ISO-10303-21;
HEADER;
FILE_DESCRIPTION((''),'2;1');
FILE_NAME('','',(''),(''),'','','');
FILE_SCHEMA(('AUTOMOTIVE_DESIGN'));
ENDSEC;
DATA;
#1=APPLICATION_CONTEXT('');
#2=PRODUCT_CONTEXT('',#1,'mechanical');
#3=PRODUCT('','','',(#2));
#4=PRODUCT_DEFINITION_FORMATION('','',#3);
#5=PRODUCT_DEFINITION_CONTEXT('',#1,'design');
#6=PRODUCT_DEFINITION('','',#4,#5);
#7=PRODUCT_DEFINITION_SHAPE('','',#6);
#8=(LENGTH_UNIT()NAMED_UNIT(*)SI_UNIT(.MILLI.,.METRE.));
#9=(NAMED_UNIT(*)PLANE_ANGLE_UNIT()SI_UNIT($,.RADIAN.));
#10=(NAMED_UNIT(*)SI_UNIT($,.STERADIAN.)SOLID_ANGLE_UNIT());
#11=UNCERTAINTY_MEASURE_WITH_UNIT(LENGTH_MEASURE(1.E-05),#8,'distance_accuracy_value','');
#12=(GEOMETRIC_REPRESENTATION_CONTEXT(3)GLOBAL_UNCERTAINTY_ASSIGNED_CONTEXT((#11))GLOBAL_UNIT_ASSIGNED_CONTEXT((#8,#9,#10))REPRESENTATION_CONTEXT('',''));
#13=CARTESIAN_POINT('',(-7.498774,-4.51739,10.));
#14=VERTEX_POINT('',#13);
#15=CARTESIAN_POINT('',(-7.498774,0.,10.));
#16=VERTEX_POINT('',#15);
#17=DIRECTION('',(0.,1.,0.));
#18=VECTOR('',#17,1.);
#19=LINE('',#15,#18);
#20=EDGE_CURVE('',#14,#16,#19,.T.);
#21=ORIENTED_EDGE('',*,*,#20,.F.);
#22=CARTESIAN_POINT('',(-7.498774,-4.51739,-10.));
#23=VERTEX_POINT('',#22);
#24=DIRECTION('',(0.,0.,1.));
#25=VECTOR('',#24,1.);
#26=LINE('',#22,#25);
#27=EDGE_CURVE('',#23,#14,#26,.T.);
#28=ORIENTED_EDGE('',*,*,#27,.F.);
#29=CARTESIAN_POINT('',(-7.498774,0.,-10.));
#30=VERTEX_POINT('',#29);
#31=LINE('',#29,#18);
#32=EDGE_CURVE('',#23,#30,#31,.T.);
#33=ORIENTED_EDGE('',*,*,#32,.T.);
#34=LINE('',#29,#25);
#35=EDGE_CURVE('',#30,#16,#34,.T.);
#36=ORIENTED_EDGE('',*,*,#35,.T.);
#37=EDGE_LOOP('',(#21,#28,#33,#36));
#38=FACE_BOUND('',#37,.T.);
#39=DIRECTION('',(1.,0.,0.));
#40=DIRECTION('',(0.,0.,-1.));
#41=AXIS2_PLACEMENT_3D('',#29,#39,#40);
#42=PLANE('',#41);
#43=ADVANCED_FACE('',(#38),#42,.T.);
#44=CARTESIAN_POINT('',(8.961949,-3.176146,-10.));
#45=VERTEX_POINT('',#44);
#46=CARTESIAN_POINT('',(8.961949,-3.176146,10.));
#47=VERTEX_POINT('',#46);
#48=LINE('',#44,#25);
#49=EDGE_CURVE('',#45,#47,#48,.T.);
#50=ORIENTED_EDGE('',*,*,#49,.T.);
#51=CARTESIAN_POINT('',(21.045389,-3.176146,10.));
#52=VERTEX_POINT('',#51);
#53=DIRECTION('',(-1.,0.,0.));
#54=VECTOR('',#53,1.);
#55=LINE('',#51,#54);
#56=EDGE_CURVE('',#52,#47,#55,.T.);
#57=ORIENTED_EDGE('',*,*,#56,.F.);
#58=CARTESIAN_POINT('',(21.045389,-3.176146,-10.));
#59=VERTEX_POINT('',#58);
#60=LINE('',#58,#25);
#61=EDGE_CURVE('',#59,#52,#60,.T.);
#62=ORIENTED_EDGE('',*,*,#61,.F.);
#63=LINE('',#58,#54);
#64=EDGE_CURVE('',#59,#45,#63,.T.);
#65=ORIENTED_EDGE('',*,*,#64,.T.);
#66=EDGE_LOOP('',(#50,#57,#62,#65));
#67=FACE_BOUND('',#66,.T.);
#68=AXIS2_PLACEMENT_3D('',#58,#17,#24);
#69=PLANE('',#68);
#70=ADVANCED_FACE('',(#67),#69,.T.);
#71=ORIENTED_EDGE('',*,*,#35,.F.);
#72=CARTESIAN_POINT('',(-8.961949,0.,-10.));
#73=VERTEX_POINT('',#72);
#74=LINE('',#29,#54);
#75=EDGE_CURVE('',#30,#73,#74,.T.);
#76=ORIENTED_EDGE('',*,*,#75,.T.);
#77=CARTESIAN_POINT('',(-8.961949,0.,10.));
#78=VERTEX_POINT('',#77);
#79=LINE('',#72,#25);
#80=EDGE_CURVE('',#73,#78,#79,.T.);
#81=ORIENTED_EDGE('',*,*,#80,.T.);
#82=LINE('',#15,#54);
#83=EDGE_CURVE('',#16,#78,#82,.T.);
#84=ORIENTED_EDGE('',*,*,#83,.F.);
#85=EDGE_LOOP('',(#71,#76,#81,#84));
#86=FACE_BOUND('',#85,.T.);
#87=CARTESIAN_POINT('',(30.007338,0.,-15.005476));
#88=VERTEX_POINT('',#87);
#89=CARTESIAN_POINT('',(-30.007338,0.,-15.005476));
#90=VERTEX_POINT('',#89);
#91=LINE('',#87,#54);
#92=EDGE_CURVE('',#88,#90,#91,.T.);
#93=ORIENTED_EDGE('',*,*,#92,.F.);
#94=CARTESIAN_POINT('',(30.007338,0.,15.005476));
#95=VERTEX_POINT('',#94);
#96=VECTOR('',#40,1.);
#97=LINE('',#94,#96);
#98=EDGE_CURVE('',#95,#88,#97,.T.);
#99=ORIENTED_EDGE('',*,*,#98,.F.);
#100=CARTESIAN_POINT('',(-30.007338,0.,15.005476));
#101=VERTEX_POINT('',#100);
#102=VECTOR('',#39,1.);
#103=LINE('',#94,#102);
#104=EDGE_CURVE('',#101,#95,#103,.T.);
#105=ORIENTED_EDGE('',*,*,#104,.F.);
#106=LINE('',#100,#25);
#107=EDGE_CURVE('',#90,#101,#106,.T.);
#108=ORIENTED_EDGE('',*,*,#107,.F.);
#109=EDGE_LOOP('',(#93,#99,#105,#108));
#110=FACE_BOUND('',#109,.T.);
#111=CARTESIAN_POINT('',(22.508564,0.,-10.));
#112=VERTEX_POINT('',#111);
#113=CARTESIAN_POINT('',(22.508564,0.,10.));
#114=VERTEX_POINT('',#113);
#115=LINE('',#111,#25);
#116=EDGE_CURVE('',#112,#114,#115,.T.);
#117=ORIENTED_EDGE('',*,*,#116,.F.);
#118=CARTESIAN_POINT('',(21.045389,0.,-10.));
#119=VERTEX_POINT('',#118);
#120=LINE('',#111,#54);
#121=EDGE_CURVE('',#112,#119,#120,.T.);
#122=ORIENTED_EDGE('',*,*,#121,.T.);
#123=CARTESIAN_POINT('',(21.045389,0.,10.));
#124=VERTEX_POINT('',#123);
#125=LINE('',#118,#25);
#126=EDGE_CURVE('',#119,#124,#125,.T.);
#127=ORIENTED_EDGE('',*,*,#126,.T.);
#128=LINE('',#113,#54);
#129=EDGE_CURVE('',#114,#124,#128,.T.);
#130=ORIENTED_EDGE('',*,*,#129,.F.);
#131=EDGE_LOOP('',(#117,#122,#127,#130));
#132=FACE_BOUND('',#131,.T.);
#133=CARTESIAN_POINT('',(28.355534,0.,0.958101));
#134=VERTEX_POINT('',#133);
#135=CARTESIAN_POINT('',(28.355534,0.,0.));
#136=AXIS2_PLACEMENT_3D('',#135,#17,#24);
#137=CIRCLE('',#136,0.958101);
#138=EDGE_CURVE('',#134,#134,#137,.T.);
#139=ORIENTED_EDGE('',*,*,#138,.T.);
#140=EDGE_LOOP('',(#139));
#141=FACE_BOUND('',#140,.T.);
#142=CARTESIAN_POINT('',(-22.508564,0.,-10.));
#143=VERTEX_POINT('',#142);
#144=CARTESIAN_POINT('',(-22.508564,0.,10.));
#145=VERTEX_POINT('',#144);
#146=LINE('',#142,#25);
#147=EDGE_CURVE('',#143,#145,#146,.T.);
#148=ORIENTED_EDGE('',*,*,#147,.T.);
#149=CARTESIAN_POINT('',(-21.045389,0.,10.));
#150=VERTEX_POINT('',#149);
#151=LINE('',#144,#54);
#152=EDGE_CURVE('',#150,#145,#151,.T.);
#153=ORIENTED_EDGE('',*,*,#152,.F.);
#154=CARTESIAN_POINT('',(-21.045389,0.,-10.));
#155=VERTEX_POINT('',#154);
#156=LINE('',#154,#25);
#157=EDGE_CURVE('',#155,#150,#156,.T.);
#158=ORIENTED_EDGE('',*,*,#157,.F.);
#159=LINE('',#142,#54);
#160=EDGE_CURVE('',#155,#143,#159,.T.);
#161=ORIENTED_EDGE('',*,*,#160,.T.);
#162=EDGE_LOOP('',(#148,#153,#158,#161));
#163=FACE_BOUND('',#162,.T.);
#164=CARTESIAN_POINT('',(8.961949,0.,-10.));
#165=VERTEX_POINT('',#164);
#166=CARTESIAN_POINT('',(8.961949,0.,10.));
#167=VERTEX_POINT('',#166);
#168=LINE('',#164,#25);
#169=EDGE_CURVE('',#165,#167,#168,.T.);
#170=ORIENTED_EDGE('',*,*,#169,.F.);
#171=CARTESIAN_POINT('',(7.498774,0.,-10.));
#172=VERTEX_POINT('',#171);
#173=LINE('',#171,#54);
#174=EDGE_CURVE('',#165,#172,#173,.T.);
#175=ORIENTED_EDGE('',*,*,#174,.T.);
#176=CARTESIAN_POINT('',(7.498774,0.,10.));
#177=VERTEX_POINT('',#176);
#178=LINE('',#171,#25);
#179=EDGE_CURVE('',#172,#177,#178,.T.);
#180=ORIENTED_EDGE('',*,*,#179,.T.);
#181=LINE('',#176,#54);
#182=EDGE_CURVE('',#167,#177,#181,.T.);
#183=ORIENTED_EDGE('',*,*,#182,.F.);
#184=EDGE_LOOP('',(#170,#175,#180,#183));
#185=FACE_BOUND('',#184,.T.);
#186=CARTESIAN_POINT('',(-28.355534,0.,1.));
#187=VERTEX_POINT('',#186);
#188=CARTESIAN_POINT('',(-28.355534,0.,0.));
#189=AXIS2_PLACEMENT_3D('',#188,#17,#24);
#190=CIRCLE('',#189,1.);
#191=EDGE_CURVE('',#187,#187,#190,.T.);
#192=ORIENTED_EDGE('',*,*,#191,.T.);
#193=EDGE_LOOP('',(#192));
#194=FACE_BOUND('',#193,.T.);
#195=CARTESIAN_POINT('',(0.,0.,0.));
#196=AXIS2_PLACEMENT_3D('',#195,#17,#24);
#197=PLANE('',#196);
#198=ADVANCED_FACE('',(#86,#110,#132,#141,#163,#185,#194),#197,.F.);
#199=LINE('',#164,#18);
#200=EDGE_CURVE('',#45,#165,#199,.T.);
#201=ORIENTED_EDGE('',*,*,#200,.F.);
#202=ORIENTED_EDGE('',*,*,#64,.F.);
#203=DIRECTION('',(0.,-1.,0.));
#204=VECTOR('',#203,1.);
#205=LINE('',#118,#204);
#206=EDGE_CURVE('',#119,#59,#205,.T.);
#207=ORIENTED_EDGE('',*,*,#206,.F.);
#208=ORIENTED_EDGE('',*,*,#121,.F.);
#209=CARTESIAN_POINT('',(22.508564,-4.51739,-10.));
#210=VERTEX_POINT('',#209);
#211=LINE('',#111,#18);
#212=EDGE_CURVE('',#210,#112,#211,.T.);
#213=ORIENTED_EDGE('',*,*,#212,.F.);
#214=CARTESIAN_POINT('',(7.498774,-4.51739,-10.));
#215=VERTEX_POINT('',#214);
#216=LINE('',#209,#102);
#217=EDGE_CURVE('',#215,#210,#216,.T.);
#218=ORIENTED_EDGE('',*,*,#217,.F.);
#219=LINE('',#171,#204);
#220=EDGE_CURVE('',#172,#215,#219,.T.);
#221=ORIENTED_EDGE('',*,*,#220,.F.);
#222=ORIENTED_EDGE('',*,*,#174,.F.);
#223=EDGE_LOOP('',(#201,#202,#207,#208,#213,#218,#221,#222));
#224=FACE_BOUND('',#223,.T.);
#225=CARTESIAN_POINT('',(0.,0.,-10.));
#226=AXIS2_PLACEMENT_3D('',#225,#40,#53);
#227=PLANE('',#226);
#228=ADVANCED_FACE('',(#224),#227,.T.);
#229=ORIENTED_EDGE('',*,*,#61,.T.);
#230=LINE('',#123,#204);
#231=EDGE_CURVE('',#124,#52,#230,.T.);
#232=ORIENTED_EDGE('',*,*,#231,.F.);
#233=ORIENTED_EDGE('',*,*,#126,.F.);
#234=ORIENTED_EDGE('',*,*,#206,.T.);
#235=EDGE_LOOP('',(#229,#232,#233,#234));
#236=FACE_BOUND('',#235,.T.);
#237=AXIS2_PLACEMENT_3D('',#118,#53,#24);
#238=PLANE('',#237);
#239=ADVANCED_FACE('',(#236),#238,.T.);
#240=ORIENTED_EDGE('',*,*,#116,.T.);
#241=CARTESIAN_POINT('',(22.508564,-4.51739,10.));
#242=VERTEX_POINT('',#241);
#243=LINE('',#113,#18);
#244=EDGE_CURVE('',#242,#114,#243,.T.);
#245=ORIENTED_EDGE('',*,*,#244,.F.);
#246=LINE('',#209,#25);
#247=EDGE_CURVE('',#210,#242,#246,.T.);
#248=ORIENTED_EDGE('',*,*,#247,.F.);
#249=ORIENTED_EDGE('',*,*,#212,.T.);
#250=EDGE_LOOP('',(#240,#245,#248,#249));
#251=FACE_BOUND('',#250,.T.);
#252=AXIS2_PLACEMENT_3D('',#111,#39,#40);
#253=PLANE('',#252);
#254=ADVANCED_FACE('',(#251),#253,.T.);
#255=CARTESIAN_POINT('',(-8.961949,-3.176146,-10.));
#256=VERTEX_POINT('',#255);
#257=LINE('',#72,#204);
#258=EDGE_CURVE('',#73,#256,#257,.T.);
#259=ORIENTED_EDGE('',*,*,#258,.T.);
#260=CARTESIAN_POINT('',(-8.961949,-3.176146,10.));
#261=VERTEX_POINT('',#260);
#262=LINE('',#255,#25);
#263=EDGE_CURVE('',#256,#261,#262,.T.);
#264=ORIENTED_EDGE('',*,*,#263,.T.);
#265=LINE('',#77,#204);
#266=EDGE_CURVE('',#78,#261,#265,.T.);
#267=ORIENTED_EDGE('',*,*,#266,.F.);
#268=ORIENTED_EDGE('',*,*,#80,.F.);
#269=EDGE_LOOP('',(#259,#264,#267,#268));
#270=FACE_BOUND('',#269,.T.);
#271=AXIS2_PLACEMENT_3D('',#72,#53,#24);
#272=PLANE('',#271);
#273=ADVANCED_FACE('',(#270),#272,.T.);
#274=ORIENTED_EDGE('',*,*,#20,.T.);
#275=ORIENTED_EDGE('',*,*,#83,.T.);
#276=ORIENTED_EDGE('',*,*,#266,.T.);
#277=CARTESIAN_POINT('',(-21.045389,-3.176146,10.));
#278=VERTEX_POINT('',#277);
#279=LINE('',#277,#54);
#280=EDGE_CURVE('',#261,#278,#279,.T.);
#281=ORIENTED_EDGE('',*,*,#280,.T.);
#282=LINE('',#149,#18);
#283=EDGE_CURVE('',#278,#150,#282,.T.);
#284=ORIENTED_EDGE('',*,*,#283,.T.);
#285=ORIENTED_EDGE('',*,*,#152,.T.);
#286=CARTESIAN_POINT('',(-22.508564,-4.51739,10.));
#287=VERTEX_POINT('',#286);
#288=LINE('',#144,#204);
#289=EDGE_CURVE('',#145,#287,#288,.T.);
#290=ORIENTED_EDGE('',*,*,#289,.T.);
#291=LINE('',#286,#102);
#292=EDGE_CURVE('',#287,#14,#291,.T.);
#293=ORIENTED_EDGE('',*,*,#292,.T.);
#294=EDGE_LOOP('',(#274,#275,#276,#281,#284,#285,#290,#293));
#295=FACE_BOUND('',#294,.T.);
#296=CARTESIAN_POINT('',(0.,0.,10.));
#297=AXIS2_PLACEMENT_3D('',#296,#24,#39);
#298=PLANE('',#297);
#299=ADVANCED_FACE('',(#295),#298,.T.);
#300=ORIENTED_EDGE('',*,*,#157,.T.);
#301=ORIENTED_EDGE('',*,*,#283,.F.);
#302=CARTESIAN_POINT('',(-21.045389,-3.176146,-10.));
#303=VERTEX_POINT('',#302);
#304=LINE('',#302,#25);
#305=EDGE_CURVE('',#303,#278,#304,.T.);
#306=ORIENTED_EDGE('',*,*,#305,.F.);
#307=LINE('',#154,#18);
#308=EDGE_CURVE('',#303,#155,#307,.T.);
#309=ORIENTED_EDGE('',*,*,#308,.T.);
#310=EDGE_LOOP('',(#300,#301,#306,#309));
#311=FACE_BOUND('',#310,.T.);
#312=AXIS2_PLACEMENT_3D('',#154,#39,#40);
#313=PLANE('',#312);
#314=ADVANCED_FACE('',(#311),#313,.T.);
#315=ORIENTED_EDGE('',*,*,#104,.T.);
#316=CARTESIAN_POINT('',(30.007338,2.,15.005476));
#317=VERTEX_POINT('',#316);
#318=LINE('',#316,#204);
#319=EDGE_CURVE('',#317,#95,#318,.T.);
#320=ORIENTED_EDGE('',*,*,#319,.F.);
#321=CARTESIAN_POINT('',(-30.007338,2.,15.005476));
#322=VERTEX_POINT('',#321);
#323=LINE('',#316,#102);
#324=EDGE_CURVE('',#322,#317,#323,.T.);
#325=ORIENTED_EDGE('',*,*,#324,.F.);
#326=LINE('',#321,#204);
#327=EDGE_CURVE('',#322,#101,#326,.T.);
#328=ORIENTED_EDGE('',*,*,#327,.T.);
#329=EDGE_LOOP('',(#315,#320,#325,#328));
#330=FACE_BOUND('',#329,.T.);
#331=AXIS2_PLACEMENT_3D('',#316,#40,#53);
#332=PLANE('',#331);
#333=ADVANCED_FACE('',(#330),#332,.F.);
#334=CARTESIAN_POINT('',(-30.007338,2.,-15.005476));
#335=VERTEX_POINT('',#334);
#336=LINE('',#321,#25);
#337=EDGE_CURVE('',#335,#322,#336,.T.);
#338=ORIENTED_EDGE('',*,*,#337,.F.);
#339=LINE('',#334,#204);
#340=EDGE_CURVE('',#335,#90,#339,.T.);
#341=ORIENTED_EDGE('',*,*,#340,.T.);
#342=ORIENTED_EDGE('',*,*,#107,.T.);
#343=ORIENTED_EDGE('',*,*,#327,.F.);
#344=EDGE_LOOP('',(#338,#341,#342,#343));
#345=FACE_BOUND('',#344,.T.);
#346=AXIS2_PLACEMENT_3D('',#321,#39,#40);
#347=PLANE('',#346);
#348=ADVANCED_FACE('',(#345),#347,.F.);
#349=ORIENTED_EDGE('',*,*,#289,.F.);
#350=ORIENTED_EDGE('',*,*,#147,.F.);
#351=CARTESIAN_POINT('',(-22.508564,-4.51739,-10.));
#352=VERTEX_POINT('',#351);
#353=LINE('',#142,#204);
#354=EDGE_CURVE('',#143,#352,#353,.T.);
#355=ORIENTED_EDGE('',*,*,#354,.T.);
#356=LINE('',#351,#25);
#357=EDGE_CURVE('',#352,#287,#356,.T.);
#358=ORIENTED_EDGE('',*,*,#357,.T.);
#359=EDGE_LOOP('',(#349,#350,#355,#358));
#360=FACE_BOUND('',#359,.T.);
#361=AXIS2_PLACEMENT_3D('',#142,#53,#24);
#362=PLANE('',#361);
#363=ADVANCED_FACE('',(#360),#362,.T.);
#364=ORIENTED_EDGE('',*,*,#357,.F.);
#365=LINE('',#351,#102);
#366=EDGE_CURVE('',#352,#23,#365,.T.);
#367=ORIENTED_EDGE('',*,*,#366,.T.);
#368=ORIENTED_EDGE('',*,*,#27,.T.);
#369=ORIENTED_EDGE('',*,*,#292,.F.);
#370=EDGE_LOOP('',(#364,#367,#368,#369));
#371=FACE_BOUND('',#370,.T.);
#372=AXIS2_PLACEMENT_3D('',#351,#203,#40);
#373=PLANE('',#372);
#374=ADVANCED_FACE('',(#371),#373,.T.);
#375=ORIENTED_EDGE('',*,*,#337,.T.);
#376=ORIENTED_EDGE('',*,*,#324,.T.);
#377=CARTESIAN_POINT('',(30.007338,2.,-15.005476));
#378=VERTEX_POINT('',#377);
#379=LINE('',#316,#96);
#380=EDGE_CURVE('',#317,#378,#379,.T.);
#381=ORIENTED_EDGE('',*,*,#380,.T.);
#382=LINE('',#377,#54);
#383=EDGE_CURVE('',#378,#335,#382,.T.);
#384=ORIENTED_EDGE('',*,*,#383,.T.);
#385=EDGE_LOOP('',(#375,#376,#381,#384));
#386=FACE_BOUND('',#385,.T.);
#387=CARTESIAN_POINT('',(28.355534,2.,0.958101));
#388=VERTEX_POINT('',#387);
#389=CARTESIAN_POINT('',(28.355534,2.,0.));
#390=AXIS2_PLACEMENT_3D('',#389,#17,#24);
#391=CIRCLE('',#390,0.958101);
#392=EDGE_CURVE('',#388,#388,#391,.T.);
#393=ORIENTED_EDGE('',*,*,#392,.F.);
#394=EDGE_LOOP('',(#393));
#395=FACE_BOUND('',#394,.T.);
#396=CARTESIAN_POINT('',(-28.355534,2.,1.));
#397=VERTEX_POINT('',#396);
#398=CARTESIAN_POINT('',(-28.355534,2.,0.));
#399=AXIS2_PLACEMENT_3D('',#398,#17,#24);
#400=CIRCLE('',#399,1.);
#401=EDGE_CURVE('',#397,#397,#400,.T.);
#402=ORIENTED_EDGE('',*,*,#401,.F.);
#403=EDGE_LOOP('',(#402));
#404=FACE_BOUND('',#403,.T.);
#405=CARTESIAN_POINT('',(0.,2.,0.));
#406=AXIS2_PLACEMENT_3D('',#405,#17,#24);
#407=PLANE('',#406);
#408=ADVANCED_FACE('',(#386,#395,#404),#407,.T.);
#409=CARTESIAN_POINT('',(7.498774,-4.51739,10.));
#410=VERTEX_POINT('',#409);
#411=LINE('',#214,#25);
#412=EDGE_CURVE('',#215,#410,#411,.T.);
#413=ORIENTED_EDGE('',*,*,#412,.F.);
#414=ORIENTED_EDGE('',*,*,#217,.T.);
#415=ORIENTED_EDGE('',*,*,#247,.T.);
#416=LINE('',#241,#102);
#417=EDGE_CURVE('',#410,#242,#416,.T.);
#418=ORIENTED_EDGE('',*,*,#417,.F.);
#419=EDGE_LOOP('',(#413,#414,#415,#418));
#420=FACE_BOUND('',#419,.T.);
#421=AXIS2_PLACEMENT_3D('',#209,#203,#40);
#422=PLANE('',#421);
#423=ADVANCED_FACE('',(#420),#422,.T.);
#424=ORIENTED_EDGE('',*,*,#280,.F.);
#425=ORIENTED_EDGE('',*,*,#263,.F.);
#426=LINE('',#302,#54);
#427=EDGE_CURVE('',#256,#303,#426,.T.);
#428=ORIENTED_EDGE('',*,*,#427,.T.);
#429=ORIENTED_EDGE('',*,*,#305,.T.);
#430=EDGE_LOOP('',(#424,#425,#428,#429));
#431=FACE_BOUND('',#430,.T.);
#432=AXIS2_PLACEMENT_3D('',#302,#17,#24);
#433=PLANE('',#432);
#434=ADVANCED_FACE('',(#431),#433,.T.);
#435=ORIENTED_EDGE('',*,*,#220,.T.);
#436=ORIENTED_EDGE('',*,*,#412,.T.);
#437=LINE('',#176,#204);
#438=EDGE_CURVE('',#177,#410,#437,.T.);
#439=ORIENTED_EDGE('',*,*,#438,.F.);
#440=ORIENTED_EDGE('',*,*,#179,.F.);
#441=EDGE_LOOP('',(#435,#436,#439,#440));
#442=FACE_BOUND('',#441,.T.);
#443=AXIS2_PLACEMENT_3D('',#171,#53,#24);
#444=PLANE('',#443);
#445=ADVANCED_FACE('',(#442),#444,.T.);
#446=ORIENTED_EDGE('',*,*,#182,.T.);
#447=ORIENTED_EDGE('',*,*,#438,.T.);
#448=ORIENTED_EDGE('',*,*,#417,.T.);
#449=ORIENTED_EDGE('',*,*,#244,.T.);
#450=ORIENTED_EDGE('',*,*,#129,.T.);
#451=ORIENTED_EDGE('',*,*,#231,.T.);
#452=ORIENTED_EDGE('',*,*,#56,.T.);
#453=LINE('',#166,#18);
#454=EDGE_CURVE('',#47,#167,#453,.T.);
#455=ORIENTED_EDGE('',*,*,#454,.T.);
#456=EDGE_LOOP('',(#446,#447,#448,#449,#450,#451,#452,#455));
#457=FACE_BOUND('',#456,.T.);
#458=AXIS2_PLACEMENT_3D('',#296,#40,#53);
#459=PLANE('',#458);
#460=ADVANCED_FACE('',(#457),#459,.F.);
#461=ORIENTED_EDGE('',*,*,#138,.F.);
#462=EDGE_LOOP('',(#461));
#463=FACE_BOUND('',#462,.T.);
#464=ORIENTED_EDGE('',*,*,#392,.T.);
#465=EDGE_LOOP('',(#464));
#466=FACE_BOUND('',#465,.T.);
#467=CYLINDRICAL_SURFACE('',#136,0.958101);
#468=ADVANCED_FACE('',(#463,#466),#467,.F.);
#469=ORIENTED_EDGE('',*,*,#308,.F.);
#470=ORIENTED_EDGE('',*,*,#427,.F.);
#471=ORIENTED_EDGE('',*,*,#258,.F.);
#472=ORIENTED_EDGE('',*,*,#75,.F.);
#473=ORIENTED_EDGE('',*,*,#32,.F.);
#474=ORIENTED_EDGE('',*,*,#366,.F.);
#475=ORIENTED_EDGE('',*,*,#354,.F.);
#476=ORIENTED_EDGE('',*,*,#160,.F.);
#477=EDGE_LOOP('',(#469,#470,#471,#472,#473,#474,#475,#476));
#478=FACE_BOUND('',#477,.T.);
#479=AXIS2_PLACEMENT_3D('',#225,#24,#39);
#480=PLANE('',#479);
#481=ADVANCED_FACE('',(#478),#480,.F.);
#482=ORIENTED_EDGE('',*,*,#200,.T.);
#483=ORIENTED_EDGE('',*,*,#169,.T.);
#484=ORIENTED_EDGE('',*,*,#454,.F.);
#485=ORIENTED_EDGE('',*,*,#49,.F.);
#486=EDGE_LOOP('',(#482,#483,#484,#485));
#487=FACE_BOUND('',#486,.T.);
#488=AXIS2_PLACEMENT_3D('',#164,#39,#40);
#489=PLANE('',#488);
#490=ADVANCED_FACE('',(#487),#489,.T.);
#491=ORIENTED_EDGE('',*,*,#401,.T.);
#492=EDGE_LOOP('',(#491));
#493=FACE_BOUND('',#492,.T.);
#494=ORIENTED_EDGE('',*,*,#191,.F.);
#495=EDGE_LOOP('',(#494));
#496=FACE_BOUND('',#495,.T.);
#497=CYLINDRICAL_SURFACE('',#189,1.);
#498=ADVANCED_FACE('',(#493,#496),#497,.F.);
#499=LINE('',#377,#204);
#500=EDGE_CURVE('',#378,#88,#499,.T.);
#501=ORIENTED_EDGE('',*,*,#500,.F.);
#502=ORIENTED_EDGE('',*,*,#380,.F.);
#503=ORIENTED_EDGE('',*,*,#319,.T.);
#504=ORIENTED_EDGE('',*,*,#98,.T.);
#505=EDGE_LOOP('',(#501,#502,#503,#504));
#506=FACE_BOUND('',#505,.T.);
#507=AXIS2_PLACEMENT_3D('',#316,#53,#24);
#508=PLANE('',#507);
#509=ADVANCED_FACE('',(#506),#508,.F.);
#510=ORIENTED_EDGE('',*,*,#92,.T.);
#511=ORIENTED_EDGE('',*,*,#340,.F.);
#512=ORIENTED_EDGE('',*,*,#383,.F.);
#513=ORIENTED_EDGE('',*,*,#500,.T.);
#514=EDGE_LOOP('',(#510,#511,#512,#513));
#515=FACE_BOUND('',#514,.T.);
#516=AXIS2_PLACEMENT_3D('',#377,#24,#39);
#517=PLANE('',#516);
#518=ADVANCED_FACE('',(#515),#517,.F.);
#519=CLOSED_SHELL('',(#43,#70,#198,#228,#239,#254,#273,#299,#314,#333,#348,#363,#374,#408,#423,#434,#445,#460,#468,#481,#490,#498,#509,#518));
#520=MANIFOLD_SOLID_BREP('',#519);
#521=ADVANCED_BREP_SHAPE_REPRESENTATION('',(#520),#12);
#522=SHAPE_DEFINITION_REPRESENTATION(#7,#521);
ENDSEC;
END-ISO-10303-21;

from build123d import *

# Parameters (mm, degrees)
SKETCH1_W                = 60.014675034
SKETCH1_H                = 30.010951808
BOSS_EXTRUDE3_DEPTH      = 2
SKETCH5_R                = 0.958101179
SKETCH5_R_2              = 1
CUT_EXTRUDE2_DEPTH       = 2
BOSS_EXTRUDE5_DEPTH      = 10
BOSS_EXTRUDE5_DEPTH_BACK = 10


with BuildPart() as part:
    # Sketch1 → Boss-Extrude3 (new body)
    with BuildSketch(Plane(origin=(0, 0, 0), x_dir=(1, 0, 0), z_dir=(0, 1, 0))):
        Rectangle(SKETCH1_W, SKETCH1_H)
    extrude(amount=BOSS_EXTRUDE3_DEPTH)

    # Sketch5 → Cut-Extrude2 (cut)
    with BuildSketch(Plane(origin=(0, 2, 0), x_dir=(1, 0, 0), z_dir=(0, 1, 0))):
        with Locations(Location((28.355534017, 0, 0), (0, 0, 270))):
            Circle(SKETCH5_R)
        with Locations(Location((-28.355534017, 0, 0), (0, 0, 270))):
            Circle(SKETCH5_R_2)
    extrude(amount=-CUT_EXTRUDE2_DEPTH, mode=Mode.SUBTRACT)

    # Sketch7 → Boss-Extrude5 (add, two sides: drawn at the far end of the back side and taken through both)
    with BuildSketch(Plane.XY.offset(-BOSS_EXTRUDE5_DEPTH_BACK)):
        Polygon((7.498773608, 0), (8.961948947, 0), (8.961948947, -3.176146278), (21.045388571, -3.176146278), (21.045388571, 0), (22.508563909, 0), (22.508563909, -4.517390338), (7.498773608, -4.517390338), align=None)
        Polygon((-7.498773608, 0), (-7.498773608, -4.517390338), (-22.508563909, -4.517390338), (-22.508563909, 0), (-21.045388571, 0), (-21.045388571, -3.176146278), (-8.961948947, -3.176146278), (-8.961948947, 0), align=None)
    extrude(amount=BOSS_EXTRUDE5_DEPTH + BOSS_EXTRUDE5_DEPTH_BACK)


solid = part.part
